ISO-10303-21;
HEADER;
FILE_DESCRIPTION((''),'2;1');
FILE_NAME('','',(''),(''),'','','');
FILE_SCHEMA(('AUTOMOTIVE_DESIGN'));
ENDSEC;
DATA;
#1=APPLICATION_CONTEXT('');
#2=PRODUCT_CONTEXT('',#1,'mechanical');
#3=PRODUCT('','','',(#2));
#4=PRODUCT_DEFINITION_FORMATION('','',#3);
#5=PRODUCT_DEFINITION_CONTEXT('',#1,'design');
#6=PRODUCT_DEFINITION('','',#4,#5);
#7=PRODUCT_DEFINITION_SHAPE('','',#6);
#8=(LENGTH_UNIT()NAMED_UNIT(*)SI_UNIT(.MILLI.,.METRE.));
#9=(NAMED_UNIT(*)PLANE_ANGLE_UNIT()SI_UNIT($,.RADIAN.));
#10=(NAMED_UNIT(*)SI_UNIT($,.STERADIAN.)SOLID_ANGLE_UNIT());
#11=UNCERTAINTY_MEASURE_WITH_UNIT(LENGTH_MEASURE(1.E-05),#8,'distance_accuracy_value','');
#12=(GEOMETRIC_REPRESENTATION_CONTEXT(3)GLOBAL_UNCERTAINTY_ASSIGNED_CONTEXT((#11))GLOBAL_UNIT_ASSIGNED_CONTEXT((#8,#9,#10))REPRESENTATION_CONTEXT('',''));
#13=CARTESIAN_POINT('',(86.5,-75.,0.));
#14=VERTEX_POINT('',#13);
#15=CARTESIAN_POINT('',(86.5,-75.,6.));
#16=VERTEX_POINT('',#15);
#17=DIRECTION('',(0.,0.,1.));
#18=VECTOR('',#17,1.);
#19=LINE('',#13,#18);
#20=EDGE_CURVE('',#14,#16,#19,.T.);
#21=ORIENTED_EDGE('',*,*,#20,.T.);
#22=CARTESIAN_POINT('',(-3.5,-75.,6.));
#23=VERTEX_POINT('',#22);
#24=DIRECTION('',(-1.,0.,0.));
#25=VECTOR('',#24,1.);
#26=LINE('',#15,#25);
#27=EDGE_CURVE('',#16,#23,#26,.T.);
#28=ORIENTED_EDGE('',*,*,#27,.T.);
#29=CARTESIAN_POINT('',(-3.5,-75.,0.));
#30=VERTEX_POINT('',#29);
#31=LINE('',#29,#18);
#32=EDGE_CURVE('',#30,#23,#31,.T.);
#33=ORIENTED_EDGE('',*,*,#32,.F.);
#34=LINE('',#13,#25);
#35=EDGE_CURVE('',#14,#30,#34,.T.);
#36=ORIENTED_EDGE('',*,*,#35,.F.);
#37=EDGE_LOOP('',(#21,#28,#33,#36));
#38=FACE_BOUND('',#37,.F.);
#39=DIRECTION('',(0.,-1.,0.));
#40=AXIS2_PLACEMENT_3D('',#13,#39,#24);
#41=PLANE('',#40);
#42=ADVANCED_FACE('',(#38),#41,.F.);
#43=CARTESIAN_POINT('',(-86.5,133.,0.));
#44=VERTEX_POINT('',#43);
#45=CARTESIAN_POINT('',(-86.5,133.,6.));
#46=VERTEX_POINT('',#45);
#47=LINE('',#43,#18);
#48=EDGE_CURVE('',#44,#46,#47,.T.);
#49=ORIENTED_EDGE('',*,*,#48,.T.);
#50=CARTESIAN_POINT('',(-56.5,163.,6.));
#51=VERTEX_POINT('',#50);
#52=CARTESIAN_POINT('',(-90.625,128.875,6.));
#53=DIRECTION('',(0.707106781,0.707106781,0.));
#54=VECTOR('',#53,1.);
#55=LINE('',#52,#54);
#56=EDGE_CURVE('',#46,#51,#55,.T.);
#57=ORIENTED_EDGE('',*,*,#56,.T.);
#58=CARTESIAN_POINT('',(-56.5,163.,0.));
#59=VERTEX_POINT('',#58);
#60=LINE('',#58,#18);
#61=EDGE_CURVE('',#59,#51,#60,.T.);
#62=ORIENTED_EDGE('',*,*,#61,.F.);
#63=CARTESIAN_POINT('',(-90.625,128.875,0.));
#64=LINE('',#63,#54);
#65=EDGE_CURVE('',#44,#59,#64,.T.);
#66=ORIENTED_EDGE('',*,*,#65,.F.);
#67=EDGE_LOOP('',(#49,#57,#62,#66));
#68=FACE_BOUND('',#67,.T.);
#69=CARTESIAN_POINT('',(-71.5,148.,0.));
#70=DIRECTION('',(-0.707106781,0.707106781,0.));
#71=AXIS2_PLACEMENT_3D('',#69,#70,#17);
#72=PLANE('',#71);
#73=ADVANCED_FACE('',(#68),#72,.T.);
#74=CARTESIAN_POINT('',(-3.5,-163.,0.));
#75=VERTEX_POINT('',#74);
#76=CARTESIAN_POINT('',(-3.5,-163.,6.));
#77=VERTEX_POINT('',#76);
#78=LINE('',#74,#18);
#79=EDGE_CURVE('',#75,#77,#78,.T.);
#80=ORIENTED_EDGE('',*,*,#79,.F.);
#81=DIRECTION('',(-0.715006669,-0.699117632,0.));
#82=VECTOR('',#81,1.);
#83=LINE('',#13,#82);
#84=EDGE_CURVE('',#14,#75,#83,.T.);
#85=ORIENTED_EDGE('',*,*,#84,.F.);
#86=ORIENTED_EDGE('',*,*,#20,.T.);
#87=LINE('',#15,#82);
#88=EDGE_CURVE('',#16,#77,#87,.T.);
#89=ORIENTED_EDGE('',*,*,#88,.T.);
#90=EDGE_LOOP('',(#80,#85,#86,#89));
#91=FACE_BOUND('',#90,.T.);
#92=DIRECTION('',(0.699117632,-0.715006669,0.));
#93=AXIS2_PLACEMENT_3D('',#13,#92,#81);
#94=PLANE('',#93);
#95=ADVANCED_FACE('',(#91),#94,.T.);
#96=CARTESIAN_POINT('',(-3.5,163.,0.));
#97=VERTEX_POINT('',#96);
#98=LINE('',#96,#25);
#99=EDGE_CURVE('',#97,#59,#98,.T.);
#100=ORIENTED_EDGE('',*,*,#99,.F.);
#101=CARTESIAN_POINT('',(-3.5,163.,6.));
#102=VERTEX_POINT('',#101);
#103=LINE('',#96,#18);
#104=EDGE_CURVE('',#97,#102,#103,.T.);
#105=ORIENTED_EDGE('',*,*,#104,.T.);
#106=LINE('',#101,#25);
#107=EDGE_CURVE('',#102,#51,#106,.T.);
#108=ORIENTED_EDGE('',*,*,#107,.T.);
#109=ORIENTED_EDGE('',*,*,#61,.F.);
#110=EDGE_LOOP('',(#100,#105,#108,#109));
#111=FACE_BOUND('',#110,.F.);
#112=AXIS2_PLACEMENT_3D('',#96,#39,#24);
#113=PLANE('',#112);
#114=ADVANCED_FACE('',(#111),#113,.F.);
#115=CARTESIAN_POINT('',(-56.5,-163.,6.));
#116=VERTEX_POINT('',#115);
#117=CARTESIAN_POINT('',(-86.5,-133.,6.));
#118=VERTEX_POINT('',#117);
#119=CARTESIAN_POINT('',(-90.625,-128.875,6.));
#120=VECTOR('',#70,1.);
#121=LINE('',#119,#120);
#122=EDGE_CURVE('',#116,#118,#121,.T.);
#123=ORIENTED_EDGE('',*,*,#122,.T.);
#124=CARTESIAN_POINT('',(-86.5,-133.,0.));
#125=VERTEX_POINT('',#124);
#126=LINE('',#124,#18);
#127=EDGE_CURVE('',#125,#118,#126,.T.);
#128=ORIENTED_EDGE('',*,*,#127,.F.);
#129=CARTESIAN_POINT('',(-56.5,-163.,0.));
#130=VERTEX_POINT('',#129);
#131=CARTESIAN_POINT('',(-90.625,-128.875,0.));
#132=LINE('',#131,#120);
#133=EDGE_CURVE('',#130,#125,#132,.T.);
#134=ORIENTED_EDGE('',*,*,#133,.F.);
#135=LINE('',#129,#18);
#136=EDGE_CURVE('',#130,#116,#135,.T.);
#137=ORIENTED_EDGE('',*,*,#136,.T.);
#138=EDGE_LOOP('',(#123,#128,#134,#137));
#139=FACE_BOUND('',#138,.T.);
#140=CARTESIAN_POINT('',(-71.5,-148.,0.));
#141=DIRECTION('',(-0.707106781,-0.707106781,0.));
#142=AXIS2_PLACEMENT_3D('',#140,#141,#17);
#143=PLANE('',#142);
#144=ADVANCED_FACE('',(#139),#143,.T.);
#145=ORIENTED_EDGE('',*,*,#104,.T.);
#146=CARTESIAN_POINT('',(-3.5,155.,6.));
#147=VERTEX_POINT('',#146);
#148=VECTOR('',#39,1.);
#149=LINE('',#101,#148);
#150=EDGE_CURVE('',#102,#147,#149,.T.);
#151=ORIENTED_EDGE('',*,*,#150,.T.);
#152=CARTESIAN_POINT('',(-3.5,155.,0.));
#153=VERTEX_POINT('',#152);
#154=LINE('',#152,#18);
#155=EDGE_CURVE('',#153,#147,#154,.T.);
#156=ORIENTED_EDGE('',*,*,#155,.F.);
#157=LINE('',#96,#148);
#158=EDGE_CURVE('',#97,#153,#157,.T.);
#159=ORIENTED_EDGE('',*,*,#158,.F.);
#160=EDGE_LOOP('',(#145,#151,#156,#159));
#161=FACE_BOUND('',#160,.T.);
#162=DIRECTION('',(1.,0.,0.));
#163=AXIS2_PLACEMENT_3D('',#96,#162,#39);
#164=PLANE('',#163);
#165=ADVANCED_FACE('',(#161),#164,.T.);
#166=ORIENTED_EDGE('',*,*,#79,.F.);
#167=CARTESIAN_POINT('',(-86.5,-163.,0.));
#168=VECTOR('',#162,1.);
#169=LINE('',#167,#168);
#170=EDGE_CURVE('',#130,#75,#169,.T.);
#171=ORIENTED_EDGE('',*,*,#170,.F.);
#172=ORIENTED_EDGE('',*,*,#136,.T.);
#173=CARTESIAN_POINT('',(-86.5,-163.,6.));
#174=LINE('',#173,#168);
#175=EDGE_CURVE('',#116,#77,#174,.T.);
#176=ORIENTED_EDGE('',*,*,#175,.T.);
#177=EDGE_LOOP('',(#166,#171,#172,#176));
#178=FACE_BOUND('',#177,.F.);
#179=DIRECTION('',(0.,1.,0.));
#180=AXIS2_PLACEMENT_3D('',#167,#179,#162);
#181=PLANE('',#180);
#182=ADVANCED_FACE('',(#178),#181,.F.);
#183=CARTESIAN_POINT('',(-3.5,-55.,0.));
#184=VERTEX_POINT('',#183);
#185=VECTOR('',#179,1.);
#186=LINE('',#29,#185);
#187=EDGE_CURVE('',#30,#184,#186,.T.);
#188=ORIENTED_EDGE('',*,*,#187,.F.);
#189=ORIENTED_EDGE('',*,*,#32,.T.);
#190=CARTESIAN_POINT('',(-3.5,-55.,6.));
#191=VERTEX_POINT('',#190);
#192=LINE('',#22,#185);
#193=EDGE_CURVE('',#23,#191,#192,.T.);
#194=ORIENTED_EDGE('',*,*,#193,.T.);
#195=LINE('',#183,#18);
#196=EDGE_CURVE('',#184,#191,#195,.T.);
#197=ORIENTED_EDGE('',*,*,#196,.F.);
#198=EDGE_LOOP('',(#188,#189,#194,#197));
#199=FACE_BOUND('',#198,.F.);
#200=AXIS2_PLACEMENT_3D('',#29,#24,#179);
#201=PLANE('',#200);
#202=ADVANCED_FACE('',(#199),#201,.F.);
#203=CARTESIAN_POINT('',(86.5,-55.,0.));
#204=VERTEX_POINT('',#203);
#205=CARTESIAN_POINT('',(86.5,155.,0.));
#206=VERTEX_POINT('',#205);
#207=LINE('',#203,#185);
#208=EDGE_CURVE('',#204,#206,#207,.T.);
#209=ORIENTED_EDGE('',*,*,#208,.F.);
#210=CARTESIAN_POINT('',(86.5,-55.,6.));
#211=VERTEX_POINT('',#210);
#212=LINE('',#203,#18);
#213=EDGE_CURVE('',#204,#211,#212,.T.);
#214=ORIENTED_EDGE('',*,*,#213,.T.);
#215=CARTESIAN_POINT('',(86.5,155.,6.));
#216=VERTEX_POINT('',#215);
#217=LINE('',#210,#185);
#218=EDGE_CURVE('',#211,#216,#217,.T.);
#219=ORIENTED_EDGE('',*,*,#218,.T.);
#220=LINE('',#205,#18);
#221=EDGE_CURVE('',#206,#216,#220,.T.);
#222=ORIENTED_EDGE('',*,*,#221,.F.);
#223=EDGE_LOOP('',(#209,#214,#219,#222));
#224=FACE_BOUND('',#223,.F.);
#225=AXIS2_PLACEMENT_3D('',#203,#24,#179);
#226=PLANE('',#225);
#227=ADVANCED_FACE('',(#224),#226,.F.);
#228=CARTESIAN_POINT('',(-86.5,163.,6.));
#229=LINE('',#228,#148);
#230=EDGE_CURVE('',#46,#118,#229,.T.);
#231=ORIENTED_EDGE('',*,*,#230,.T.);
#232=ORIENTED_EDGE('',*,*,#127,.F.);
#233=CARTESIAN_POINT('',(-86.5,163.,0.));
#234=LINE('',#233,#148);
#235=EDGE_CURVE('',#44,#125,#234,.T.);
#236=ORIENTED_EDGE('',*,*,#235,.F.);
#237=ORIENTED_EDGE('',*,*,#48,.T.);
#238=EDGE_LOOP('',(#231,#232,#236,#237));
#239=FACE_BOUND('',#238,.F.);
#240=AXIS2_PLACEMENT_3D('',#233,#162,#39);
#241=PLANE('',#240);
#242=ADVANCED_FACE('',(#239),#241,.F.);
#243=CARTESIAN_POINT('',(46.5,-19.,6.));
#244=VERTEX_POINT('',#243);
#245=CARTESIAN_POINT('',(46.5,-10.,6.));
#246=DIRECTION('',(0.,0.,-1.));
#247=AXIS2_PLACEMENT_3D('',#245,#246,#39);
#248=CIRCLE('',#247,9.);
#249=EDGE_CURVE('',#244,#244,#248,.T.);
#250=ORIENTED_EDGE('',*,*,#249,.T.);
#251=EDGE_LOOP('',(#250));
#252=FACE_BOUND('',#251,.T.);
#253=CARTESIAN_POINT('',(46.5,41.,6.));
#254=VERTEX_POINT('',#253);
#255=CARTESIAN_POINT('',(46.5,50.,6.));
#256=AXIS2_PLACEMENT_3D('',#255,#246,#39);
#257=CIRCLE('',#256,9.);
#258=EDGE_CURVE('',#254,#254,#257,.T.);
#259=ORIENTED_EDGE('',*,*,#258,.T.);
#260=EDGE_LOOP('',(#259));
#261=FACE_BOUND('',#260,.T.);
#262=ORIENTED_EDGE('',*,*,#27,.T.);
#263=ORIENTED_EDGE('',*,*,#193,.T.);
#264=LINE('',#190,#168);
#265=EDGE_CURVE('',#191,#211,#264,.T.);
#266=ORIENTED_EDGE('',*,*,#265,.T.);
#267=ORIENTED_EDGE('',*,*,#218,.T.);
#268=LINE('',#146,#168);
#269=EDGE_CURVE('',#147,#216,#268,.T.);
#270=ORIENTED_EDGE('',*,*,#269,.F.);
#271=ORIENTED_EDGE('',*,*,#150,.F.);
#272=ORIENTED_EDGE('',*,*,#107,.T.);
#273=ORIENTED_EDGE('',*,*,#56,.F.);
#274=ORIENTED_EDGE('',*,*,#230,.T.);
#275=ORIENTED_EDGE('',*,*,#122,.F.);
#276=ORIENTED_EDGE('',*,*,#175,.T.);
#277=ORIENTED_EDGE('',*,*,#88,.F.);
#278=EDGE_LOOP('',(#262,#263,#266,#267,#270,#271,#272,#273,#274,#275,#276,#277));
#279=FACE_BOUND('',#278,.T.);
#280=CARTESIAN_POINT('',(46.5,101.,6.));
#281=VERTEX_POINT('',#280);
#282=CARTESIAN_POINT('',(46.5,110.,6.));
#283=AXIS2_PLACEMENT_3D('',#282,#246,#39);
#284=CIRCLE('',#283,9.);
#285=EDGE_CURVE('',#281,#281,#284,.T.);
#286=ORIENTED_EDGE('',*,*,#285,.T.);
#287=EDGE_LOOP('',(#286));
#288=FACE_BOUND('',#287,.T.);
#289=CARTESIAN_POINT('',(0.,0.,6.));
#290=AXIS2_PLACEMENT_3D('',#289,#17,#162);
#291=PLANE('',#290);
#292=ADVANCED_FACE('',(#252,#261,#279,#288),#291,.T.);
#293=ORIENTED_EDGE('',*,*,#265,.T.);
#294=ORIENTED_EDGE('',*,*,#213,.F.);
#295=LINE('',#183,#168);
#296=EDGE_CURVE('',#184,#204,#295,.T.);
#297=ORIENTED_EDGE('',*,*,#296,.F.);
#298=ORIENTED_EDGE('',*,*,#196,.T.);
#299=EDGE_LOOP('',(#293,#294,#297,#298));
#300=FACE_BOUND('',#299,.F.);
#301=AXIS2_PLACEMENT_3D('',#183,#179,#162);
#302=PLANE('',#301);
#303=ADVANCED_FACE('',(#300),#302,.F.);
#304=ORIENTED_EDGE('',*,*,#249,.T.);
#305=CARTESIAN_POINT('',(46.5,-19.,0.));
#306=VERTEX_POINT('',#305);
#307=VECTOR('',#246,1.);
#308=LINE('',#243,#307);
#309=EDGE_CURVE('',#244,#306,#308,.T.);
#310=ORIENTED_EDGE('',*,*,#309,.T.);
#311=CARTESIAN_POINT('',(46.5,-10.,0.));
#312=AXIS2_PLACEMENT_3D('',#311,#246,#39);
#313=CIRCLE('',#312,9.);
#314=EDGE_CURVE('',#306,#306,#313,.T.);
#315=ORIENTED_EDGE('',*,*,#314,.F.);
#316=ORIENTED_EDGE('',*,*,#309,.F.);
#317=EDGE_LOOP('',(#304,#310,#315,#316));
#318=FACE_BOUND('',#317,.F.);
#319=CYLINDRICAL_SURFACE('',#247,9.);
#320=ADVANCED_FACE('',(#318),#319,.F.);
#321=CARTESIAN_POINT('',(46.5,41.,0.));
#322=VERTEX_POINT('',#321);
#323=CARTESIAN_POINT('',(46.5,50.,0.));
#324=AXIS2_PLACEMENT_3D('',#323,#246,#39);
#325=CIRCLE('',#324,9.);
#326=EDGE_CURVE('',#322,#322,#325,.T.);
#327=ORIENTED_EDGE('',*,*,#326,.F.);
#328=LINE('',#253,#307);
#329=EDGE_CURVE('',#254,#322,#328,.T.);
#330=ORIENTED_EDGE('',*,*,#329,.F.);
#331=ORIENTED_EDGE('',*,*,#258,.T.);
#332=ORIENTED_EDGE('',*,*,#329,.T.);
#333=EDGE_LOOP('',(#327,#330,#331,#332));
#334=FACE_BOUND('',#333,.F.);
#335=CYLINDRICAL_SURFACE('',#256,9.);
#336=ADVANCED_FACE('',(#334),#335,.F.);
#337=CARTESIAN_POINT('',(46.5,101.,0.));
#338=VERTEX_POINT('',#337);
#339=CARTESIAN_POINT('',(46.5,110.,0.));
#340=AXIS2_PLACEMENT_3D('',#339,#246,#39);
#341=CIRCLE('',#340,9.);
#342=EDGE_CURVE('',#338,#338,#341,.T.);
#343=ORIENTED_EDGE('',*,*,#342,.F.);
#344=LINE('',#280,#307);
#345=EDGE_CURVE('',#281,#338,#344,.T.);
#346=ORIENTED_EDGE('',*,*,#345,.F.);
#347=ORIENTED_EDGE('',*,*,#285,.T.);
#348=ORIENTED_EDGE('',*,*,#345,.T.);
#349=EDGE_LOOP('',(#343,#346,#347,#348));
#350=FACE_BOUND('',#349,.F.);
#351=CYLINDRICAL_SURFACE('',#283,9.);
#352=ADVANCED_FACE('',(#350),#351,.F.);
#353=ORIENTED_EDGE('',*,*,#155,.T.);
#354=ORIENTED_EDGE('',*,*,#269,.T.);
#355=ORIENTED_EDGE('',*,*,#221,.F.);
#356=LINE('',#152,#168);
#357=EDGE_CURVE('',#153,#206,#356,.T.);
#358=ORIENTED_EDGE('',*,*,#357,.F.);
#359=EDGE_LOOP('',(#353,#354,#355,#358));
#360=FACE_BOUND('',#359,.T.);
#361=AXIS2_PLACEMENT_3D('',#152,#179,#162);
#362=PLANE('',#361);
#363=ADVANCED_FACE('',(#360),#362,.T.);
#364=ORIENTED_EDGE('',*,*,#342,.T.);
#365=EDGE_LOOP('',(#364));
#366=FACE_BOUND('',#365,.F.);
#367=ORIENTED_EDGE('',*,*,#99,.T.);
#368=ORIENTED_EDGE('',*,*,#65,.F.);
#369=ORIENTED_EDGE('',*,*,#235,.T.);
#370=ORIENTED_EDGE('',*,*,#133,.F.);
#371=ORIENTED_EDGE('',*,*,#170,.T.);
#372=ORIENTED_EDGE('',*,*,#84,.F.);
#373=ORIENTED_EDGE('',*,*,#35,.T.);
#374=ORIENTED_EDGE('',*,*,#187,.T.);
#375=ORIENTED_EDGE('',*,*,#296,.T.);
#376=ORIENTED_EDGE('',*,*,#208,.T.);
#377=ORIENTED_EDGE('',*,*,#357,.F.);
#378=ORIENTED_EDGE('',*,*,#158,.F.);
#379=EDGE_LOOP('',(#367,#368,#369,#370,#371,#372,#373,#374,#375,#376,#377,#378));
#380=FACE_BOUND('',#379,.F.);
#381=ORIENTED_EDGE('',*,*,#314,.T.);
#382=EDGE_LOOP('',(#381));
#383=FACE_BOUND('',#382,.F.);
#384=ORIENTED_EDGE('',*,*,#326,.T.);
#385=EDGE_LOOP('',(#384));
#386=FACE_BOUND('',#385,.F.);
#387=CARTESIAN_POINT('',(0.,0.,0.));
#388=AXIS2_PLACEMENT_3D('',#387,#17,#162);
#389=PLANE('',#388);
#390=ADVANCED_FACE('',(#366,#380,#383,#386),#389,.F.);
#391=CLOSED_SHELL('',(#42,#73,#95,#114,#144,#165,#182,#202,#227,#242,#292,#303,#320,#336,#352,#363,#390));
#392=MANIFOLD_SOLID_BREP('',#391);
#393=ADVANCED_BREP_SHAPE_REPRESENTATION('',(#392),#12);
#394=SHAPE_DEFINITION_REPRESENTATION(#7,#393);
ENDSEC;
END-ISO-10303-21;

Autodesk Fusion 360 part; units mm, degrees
sketch "スケッチ1" plane through (0, 0, 0) normal (0, 0, 1) x (1, 0, 0)
  line L0 (-3.5, 163) -> (-86.5, 163)
  line L1 (-86.5, 163) -> (-86.5, -163)
  line L2 (-86.5, -163) -> (-3.5, -163)
  line L3 (86.5, -55) -> (86.5, 155)
  line L4 (82.2546, 155) -> (-86.5, -163) construction
  line L5 (-3.5, 163) -> (-3.5, 155)
  line L6 (-3.5, 155) -> (86.5, 155)
  line L7 (-86.5, -163) -> (-3.5, -163) construction
  line L8 (86.5, -75) -> (-3.5, -163)
  line L9 (86.5, -75) -> (-3.5, -75)
  line L10 (-3.5, -75) -> (-3.5, -55)
  line L11 (-3.5, -55) -> (86.5, -55)
  line L12 (-86.5, 163) -> (29.1871, -55) construction
  line L13 (39.8006, -75) -> (55.7541, -105.0627) construction
  dimension "d2" = 326
  dimension "d5" = 83
  dimension "d7" = 90
  dimension "d8" = 20
extrude "押し出し1" add sketch "スケッチ1" along normal blind 6
chamfer "面取り1" distance 30 angle 45 2 edges at (-86.5, -163, 3) (-86.5, 163, 3)
sketch "スケッチ2" plane through (0, 0, 6) normal (0, 0, 1) x (-1, 0, 0)
  line L0 (56.5, -163) -> (86.5, -133)
  line L1 (86.5, -133) -> (86.5, 133)
  line L2 (86.5, 133) -> (56.5, 163)
  line L3 (56.5, 163) -> (3.5, 163)
  line L4 (3.5, 163) -> (-86.5, 75)
  line L5 (-86.5, 75) -> (3.5, 75)
  line L6 (3.5, 75) -> (3.5, 55)
  line L7 (3.5, 55) -> (-86.5, 55)
  line L8 (-86.5, 55) -> (-86.5, -155)
  line L9 (-86.5, -155) -> (3.5, -155)
  line L10 (3.5, -155) -> (3.5, -163)
  line L11 (3.5, -163) -> (56.5, -163)
  line L12 (-86.5, -155) -> (-46.5, -155) construction
  line L13 (-46.5, -155) -> (-46.5, -110) construction
  line L14 (-46.5, -110) -> (-86.5, -110) construction
  line L15 (-86.5, -110) -> (-86.5, -155) construction
  line L16 (-46.5, -110) -> (-46.5, -50) construction
  line L17 (-46.5, -50) -> (-46.5, 10) construction
  point P0 (-46.5, -110)
  point P1 (-46.5, -50)
  dimension "d12" = 40
  dimension "d13" = 45
  dimension "d14" = 60
  dimension "d15" = 60
hole "穴1" at (46.5, 110, 6) at (46.5, 50, 6) at (46.5, -10, 6) direction (0, 0, -1) diameter 18 end through all
equation "d5 = 30 mm + 53 mm"
